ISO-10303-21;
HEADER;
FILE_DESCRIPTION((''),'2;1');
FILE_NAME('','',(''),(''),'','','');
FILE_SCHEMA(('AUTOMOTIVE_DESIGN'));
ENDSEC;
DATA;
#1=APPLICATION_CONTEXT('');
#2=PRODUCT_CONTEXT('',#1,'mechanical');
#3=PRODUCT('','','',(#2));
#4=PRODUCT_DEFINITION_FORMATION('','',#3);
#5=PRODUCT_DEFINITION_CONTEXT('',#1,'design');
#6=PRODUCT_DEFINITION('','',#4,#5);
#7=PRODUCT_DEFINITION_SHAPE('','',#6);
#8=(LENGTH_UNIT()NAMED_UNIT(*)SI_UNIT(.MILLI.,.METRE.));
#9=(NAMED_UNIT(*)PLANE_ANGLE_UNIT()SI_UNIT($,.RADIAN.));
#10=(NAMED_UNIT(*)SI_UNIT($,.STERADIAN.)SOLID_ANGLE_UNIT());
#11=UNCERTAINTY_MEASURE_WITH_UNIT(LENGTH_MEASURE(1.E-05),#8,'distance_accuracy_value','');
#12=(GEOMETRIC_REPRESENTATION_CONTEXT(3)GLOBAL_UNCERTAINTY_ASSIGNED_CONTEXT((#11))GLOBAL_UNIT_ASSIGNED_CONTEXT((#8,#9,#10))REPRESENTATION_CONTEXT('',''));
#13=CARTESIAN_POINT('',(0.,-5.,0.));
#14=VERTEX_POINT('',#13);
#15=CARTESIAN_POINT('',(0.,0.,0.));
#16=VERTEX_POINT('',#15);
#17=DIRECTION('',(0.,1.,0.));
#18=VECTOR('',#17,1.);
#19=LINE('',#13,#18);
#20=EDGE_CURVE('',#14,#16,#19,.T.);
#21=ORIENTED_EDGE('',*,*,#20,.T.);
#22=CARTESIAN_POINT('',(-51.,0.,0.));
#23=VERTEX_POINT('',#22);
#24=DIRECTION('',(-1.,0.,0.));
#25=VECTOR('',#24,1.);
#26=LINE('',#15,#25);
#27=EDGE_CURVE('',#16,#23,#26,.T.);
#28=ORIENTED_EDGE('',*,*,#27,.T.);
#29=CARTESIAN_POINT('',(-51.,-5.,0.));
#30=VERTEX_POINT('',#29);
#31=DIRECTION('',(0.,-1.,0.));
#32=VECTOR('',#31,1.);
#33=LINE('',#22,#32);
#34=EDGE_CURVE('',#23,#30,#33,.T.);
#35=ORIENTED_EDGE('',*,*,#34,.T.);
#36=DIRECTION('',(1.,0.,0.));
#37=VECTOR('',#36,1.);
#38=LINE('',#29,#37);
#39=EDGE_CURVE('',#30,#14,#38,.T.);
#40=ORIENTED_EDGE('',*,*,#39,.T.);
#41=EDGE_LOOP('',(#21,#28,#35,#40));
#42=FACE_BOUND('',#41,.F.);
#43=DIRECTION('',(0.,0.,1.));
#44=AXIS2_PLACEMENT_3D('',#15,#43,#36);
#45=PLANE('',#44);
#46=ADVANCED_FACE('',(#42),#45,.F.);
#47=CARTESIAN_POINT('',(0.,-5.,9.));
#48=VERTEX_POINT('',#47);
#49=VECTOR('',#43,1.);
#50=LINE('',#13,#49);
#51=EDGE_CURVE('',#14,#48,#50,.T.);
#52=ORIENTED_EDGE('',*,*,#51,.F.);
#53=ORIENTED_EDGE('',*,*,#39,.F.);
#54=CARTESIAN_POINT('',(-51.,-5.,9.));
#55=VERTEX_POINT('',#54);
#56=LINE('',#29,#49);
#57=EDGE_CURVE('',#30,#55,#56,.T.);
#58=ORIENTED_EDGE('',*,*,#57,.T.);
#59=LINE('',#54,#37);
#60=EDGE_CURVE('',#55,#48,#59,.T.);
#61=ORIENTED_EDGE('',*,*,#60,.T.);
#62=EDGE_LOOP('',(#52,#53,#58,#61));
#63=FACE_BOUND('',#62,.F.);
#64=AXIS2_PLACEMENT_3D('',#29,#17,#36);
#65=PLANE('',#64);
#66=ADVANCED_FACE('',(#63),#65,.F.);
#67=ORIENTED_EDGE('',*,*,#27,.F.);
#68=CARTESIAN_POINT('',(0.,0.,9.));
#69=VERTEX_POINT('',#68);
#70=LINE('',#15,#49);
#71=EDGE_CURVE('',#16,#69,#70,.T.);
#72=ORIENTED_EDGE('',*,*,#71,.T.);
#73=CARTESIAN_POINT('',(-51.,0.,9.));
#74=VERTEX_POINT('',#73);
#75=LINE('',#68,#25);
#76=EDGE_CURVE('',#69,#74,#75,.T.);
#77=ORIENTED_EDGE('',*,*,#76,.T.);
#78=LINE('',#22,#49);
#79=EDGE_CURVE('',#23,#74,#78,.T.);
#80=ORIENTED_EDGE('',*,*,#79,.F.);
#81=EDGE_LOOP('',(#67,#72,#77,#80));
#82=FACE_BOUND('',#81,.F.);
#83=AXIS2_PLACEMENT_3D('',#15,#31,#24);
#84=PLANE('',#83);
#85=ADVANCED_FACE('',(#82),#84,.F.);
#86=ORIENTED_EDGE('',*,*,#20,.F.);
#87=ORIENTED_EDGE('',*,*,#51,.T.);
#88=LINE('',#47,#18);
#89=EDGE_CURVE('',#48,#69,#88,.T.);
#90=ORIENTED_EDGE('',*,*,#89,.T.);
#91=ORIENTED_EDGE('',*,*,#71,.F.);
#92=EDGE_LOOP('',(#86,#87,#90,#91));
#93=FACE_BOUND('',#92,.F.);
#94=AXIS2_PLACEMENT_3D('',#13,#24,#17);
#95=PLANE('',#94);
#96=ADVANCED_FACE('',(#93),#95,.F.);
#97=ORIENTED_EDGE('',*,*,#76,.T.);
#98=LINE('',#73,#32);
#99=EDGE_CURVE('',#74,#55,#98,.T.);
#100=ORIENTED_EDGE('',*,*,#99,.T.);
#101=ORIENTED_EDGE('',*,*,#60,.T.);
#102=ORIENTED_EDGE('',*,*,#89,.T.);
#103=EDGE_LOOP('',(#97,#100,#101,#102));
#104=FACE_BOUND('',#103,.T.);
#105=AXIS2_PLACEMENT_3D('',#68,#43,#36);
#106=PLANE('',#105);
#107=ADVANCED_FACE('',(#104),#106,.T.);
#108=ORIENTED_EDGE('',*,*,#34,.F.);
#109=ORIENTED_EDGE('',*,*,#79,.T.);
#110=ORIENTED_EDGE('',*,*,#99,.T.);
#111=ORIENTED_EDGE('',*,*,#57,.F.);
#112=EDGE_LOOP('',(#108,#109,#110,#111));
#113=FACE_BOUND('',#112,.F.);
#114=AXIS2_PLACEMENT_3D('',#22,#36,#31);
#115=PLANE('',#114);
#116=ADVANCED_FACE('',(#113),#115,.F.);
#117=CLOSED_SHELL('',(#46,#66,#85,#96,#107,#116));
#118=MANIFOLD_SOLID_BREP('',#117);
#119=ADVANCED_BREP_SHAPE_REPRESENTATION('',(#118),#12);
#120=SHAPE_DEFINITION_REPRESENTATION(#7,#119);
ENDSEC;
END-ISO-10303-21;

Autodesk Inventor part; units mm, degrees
ref_plane "YZ Plane" through (0, 0, 0) normal (1, 0, 0) x (0, 1, 0)
ref_plane "XZ Plane" through (0, 0, 0) normal (0, 1, 0) x (-1, 0, 0)
ref_plane "XY Plane" through (0, 0, 0) normal (0, 0, 1) x (1, 0, 0)
sketch "Sketch1" plane through (0, 0, 0) normal (0, 0, 1) x (1, 0, 0)
  line L0 (0, 0) -> (-51, 0)
  line L1 (-51, 0) -> (-51, -5)
  line L2 (-51, -5) -> (0, -5)
  line L3 (0, -5) -> (0, 0)
  dimension "d0" = 51
  dimension "d1" = 5
extrude "Extrusion1" add sketch "Sketch1" along normal blind 9
properties part number "R006"
